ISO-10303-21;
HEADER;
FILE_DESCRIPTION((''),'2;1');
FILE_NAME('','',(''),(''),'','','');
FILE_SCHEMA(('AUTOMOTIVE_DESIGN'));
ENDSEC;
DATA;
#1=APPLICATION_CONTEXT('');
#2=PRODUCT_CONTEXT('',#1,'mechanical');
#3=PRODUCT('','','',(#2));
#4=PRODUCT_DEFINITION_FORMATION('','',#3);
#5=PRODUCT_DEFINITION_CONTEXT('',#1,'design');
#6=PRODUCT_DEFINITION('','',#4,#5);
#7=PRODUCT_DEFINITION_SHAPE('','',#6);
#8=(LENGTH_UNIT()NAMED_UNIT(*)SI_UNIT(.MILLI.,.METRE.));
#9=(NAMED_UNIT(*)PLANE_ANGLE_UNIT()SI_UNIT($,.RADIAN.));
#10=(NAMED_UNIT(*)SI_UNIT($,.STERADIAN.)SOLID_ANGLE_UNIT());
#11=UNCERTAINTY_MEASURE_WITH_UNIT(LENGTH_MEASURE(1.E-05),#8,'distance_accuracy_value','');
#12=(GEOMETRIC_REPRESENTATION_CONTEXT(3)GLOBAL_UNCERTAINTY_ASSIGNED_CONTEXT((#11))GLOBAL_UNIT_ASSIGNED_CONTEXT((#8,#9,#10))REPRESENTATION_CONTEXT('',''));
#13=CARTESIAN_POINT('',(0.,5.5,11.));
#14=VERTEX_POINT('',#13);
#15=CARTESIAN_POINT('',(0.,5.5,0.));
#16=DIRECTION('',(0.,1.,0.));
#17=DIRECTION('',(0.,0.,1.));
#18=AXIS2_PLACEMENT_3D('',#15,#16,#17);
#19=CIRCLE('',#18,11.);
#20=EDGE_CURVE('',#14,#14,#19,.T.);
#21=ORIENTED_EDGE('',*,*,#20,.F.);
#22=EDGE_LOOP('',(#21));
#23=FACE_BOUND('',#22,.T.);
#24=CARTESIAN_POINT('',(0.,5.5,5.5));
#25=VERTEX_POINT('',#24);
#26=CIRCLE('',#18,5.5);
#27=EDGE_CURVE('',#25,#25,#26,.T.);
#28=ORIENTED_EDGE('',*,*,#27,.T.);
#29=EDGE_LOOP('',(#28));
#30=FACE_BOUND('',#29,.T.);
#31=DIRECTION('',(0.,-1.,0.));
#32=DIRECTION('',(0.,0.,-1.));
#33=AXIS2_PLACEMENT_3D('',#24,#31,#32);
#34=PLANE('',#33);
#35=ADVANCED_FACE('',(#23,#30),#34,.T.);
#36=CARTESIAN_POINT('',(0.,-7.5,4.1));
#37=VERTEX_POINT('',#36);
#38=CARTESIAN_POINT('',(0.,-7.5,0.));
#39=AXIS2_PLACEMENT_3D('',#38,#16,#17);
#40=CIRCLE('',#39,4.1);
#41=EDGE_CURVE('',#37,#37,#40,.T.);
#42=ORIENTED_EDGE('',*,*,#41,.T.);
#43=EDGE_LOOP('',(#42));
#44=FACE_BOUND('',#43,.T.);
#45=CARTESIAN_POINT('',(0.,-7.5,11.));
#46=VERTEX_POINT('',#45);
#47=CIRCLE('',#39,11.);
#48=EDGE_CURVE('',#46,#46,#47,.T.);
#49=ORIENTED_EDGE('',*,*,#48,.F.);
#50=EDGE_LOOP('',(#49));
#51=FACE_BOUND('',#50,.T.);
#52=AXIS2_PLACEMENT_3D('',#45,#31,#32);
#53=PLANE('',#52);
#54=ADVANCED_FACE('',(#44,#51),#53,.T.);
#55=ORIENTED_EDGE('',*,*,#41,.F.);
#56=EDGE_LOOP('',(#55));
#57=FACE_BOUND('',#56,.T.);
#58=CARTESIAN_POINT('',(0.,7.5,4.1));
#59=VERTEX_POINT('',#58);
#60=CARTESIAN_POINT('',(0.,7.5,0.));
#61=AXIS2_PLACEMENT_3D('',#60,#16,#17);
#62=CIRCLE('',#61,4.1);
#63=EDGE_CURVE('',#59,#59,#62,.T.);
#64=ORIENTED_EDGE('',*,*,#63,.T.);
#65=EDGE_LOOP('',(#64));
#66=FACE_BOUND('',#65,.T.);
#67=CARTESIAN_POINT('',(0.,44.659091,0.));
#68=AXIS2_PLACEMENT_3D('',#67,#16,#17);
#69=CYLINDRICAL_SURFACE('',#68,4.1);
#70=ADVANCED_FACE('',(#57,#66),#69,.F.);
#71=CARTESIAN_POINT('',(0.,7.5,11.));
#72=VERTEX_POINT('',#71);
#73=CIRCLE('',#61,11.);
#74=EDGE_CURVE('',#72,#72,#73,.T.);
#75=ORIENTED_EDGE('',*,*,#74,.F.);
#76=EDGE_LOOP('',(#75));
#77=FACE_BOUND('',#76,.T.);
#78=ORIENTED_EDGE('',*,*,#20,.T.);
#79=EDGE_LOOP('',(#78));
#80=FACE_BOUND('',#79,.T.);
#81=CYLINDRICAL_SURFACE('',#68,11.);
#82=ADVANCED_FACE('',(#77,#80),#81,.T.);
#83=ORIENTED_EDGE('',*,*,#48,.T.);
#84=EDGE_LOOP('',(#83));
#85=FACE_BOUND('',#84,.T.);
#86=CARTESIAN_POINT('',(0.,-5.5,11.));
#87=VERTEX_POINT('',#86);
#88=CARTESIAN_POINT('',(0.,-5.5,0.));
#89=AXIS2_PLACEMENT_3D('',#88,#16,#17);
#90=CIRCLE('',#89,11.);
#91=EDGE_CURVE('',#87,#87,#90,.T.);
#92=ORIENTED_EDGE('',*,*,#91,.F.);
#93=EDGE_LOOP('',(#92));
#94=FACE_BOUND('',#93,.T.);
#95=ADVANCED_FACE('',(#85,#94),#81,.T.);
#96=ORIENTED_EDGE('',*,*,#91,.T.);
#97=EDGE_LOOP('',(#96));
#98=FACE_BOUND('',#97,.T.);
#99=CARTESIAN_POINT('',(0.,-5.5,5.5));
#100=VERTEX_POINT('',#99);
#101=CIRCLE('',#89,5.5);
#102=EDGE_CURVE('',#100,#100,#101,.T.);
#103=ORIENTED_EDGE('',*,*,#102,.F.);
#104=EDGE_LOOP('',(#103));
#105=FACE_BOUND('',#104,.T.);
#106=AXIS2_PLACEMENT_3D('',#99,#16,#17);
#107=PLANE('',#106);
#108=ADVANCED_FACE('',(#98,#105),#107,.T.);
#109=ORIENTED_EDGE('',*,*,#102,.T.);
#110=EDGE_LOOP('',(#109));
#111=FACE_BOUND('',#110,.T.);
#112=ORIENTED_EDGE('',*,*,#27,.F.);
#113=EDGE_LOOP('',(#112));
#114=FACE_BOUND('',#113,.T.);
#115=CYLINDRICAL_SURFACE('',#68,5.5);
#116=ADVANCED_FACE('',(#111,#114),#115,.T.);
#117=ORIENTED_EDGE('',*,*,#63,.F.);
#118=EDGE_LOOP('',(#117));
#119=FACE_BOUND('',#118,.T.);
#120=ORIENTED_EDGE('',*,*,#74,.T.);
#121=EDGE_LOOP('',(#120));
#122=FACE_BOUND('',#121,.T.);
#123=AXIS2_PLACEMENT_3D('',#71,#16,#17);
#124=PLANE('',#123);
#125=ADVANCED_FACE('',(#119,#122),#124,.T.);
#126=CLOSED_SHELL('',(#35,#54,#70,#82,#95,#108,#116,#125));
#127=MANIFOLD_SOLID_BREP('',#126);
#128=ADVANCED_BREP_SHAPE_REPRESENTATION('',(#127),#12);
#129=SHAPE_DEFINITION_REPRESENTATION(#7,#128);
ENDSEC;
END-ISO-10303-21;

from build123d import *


with BuildPart() as part:
    # Sketch1 → Revolve1 (revolve)
    with BuildSketch(Plane(origin=(0, 0, 0), x_dir=(0, 0, -1), z_dir=(1, 0, 0))):
        Polygon((-5.5, 5.5), (-5.5, -5.5), (-11, -5.5), (-11, -7.5), (-4.1, -7.5), (-4.1, 7.5), (-11, 7.5), (-11, 5.5), align=None)
    revolve(axis=Axis((0, 44.659090909, 0), (0, -1, 0)))


solid = part.part
